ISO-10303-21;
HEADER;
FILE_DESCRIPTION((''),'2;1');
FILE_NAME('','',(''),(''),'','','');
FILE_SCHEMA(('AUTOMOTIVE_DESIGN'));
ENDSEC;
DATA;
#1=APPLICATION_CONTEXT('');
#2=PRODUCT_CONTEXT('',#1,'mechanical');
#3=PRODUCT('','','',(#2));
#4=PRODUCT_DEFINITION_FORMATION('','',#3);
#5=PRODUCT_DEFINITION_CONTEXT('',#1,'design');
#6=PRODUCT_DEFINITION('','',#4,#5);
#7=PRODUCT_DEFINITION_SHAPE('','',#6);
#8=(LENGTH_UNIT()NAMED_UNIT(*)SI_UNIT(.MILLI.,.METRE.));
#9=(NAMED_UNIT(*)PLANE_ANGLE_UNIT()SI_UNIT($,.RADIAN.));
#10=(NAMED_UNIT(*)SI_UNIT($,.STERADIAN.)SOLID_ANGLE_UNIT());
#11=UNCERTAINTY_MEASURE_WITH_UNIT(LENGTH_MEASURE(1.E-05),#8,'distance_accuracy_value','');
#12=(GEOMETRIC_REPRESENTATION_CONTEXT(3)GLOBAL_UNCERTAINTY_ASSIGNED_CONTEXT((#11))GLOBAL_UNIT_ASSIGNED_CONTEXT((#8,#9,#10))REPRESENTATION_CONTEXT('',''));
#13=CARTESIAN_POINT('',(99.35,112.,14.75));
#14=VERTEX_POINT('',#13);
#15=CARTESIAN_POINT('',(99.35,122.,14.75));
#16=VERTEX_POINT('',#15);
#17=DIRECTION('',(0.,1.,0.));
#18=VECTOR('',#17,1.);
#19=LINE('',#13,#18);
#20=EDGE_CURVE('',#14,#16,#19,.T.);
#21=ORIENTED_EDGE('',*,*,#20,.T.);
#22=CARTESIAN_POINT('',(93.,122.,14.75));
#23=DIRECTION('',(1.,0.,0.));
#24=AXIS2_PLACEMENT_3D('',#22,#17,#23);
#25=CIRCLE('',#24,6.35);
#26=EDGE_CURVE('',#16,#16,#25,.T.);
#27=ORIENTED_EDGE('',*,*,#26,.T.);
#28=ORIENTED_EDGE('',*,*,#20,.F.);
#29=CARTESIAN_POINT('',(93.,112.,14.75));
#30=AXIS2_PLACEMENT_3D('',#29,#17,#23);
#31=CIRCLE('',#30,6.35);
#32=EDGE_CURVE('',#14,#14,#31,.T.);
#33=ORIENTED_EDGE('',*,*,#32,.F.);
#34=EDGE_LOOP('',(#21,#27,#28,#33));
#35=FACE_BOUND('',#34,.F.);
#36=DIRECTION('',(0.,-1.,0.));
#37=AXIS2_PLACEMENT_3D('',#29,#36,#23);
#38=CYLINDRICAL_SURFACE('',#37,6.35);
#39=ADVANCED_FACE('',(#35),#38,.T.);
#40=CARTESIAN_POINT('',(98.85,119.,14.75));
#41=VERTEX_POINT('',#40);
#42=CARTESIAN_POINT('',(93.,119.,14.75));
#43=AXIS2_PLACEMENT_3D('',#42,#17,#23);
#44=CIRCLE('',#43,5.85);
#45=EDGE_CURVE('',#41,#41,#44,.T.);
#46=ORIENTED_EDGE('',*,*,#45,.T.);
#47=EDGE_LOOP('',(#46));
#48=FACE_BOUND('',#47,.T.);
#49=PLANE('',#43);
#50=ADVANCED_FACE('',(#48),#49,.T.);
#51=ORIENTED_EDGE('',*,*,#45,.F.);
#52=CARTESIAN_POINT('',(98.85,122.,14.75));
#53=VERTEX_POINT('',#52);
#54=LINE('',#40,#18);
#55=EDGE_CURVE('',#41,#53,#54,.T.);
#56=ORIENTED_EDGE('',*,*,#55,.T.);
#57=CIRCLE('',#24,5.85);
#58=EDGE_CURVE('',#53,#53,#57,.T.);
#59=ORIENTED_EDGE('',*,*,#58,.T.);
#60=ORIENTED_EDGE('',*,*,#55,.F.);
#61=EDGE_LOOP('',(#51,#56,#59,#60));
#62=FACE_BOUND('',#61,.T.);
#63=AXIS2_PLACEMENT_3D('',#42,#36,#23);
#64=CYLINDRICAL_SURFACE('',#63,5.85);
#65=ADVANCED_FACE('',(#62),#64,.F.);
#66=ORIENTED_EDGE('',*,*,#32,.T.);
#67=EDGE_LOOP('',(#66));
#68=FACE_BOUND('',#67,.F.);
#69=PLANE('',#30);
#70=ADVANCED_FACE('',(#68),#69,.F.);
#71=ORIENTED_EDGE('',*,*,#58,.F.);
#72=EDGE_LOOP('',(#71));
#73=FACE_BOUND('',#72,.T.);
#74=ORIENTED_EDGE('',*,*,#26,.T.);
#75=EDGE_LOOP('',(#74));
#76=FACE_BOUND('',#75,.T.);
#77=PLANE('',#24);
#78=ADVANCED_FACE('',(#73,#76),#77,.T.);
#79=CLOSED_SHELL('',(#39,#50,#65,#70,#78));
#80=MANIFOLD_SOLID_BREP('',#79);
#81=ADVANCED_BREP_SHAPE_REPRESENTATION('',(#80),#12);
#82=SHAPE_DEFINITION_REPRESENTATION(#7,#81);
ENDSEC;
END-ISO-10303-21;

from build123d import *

# Parameters (mm, degrees)
CYLINDER009_R     = 5.85
CYLINDER009_DEPTH = 3
CYLINDER008_R     = 6.35
CYLINDER008_DEPTH = 10


with BuildPart() as cylinder009:
    # Cylinder009 → Cylinder009 (new body)
    with BuildSketch(Plane(origin=(93, 119, 14.75), x_dir=(1, 0, 0), z_dir=(0, 1, 0))):
        Circle(CYLINDER009_R)
    extrude(amount=CYLINDER009_DEPTH)


with BuildPart() as f_4g:
    # Cylinder008 → Cylinder008 (new body)
    with BuildSketch(Plane(origin=(93, 112, 14.75), x_dir=(1, 0, 0), z_dir=(0, 1, 0))):
        Circle(CYLINDER008_R)
    extrude(amount=CYLINDER008_DEPTH)

    # Cut011: cut Cylinder009
    add(cylinder009.part, mode=Mode.SUBTRACT)


solid = f_4g.part
